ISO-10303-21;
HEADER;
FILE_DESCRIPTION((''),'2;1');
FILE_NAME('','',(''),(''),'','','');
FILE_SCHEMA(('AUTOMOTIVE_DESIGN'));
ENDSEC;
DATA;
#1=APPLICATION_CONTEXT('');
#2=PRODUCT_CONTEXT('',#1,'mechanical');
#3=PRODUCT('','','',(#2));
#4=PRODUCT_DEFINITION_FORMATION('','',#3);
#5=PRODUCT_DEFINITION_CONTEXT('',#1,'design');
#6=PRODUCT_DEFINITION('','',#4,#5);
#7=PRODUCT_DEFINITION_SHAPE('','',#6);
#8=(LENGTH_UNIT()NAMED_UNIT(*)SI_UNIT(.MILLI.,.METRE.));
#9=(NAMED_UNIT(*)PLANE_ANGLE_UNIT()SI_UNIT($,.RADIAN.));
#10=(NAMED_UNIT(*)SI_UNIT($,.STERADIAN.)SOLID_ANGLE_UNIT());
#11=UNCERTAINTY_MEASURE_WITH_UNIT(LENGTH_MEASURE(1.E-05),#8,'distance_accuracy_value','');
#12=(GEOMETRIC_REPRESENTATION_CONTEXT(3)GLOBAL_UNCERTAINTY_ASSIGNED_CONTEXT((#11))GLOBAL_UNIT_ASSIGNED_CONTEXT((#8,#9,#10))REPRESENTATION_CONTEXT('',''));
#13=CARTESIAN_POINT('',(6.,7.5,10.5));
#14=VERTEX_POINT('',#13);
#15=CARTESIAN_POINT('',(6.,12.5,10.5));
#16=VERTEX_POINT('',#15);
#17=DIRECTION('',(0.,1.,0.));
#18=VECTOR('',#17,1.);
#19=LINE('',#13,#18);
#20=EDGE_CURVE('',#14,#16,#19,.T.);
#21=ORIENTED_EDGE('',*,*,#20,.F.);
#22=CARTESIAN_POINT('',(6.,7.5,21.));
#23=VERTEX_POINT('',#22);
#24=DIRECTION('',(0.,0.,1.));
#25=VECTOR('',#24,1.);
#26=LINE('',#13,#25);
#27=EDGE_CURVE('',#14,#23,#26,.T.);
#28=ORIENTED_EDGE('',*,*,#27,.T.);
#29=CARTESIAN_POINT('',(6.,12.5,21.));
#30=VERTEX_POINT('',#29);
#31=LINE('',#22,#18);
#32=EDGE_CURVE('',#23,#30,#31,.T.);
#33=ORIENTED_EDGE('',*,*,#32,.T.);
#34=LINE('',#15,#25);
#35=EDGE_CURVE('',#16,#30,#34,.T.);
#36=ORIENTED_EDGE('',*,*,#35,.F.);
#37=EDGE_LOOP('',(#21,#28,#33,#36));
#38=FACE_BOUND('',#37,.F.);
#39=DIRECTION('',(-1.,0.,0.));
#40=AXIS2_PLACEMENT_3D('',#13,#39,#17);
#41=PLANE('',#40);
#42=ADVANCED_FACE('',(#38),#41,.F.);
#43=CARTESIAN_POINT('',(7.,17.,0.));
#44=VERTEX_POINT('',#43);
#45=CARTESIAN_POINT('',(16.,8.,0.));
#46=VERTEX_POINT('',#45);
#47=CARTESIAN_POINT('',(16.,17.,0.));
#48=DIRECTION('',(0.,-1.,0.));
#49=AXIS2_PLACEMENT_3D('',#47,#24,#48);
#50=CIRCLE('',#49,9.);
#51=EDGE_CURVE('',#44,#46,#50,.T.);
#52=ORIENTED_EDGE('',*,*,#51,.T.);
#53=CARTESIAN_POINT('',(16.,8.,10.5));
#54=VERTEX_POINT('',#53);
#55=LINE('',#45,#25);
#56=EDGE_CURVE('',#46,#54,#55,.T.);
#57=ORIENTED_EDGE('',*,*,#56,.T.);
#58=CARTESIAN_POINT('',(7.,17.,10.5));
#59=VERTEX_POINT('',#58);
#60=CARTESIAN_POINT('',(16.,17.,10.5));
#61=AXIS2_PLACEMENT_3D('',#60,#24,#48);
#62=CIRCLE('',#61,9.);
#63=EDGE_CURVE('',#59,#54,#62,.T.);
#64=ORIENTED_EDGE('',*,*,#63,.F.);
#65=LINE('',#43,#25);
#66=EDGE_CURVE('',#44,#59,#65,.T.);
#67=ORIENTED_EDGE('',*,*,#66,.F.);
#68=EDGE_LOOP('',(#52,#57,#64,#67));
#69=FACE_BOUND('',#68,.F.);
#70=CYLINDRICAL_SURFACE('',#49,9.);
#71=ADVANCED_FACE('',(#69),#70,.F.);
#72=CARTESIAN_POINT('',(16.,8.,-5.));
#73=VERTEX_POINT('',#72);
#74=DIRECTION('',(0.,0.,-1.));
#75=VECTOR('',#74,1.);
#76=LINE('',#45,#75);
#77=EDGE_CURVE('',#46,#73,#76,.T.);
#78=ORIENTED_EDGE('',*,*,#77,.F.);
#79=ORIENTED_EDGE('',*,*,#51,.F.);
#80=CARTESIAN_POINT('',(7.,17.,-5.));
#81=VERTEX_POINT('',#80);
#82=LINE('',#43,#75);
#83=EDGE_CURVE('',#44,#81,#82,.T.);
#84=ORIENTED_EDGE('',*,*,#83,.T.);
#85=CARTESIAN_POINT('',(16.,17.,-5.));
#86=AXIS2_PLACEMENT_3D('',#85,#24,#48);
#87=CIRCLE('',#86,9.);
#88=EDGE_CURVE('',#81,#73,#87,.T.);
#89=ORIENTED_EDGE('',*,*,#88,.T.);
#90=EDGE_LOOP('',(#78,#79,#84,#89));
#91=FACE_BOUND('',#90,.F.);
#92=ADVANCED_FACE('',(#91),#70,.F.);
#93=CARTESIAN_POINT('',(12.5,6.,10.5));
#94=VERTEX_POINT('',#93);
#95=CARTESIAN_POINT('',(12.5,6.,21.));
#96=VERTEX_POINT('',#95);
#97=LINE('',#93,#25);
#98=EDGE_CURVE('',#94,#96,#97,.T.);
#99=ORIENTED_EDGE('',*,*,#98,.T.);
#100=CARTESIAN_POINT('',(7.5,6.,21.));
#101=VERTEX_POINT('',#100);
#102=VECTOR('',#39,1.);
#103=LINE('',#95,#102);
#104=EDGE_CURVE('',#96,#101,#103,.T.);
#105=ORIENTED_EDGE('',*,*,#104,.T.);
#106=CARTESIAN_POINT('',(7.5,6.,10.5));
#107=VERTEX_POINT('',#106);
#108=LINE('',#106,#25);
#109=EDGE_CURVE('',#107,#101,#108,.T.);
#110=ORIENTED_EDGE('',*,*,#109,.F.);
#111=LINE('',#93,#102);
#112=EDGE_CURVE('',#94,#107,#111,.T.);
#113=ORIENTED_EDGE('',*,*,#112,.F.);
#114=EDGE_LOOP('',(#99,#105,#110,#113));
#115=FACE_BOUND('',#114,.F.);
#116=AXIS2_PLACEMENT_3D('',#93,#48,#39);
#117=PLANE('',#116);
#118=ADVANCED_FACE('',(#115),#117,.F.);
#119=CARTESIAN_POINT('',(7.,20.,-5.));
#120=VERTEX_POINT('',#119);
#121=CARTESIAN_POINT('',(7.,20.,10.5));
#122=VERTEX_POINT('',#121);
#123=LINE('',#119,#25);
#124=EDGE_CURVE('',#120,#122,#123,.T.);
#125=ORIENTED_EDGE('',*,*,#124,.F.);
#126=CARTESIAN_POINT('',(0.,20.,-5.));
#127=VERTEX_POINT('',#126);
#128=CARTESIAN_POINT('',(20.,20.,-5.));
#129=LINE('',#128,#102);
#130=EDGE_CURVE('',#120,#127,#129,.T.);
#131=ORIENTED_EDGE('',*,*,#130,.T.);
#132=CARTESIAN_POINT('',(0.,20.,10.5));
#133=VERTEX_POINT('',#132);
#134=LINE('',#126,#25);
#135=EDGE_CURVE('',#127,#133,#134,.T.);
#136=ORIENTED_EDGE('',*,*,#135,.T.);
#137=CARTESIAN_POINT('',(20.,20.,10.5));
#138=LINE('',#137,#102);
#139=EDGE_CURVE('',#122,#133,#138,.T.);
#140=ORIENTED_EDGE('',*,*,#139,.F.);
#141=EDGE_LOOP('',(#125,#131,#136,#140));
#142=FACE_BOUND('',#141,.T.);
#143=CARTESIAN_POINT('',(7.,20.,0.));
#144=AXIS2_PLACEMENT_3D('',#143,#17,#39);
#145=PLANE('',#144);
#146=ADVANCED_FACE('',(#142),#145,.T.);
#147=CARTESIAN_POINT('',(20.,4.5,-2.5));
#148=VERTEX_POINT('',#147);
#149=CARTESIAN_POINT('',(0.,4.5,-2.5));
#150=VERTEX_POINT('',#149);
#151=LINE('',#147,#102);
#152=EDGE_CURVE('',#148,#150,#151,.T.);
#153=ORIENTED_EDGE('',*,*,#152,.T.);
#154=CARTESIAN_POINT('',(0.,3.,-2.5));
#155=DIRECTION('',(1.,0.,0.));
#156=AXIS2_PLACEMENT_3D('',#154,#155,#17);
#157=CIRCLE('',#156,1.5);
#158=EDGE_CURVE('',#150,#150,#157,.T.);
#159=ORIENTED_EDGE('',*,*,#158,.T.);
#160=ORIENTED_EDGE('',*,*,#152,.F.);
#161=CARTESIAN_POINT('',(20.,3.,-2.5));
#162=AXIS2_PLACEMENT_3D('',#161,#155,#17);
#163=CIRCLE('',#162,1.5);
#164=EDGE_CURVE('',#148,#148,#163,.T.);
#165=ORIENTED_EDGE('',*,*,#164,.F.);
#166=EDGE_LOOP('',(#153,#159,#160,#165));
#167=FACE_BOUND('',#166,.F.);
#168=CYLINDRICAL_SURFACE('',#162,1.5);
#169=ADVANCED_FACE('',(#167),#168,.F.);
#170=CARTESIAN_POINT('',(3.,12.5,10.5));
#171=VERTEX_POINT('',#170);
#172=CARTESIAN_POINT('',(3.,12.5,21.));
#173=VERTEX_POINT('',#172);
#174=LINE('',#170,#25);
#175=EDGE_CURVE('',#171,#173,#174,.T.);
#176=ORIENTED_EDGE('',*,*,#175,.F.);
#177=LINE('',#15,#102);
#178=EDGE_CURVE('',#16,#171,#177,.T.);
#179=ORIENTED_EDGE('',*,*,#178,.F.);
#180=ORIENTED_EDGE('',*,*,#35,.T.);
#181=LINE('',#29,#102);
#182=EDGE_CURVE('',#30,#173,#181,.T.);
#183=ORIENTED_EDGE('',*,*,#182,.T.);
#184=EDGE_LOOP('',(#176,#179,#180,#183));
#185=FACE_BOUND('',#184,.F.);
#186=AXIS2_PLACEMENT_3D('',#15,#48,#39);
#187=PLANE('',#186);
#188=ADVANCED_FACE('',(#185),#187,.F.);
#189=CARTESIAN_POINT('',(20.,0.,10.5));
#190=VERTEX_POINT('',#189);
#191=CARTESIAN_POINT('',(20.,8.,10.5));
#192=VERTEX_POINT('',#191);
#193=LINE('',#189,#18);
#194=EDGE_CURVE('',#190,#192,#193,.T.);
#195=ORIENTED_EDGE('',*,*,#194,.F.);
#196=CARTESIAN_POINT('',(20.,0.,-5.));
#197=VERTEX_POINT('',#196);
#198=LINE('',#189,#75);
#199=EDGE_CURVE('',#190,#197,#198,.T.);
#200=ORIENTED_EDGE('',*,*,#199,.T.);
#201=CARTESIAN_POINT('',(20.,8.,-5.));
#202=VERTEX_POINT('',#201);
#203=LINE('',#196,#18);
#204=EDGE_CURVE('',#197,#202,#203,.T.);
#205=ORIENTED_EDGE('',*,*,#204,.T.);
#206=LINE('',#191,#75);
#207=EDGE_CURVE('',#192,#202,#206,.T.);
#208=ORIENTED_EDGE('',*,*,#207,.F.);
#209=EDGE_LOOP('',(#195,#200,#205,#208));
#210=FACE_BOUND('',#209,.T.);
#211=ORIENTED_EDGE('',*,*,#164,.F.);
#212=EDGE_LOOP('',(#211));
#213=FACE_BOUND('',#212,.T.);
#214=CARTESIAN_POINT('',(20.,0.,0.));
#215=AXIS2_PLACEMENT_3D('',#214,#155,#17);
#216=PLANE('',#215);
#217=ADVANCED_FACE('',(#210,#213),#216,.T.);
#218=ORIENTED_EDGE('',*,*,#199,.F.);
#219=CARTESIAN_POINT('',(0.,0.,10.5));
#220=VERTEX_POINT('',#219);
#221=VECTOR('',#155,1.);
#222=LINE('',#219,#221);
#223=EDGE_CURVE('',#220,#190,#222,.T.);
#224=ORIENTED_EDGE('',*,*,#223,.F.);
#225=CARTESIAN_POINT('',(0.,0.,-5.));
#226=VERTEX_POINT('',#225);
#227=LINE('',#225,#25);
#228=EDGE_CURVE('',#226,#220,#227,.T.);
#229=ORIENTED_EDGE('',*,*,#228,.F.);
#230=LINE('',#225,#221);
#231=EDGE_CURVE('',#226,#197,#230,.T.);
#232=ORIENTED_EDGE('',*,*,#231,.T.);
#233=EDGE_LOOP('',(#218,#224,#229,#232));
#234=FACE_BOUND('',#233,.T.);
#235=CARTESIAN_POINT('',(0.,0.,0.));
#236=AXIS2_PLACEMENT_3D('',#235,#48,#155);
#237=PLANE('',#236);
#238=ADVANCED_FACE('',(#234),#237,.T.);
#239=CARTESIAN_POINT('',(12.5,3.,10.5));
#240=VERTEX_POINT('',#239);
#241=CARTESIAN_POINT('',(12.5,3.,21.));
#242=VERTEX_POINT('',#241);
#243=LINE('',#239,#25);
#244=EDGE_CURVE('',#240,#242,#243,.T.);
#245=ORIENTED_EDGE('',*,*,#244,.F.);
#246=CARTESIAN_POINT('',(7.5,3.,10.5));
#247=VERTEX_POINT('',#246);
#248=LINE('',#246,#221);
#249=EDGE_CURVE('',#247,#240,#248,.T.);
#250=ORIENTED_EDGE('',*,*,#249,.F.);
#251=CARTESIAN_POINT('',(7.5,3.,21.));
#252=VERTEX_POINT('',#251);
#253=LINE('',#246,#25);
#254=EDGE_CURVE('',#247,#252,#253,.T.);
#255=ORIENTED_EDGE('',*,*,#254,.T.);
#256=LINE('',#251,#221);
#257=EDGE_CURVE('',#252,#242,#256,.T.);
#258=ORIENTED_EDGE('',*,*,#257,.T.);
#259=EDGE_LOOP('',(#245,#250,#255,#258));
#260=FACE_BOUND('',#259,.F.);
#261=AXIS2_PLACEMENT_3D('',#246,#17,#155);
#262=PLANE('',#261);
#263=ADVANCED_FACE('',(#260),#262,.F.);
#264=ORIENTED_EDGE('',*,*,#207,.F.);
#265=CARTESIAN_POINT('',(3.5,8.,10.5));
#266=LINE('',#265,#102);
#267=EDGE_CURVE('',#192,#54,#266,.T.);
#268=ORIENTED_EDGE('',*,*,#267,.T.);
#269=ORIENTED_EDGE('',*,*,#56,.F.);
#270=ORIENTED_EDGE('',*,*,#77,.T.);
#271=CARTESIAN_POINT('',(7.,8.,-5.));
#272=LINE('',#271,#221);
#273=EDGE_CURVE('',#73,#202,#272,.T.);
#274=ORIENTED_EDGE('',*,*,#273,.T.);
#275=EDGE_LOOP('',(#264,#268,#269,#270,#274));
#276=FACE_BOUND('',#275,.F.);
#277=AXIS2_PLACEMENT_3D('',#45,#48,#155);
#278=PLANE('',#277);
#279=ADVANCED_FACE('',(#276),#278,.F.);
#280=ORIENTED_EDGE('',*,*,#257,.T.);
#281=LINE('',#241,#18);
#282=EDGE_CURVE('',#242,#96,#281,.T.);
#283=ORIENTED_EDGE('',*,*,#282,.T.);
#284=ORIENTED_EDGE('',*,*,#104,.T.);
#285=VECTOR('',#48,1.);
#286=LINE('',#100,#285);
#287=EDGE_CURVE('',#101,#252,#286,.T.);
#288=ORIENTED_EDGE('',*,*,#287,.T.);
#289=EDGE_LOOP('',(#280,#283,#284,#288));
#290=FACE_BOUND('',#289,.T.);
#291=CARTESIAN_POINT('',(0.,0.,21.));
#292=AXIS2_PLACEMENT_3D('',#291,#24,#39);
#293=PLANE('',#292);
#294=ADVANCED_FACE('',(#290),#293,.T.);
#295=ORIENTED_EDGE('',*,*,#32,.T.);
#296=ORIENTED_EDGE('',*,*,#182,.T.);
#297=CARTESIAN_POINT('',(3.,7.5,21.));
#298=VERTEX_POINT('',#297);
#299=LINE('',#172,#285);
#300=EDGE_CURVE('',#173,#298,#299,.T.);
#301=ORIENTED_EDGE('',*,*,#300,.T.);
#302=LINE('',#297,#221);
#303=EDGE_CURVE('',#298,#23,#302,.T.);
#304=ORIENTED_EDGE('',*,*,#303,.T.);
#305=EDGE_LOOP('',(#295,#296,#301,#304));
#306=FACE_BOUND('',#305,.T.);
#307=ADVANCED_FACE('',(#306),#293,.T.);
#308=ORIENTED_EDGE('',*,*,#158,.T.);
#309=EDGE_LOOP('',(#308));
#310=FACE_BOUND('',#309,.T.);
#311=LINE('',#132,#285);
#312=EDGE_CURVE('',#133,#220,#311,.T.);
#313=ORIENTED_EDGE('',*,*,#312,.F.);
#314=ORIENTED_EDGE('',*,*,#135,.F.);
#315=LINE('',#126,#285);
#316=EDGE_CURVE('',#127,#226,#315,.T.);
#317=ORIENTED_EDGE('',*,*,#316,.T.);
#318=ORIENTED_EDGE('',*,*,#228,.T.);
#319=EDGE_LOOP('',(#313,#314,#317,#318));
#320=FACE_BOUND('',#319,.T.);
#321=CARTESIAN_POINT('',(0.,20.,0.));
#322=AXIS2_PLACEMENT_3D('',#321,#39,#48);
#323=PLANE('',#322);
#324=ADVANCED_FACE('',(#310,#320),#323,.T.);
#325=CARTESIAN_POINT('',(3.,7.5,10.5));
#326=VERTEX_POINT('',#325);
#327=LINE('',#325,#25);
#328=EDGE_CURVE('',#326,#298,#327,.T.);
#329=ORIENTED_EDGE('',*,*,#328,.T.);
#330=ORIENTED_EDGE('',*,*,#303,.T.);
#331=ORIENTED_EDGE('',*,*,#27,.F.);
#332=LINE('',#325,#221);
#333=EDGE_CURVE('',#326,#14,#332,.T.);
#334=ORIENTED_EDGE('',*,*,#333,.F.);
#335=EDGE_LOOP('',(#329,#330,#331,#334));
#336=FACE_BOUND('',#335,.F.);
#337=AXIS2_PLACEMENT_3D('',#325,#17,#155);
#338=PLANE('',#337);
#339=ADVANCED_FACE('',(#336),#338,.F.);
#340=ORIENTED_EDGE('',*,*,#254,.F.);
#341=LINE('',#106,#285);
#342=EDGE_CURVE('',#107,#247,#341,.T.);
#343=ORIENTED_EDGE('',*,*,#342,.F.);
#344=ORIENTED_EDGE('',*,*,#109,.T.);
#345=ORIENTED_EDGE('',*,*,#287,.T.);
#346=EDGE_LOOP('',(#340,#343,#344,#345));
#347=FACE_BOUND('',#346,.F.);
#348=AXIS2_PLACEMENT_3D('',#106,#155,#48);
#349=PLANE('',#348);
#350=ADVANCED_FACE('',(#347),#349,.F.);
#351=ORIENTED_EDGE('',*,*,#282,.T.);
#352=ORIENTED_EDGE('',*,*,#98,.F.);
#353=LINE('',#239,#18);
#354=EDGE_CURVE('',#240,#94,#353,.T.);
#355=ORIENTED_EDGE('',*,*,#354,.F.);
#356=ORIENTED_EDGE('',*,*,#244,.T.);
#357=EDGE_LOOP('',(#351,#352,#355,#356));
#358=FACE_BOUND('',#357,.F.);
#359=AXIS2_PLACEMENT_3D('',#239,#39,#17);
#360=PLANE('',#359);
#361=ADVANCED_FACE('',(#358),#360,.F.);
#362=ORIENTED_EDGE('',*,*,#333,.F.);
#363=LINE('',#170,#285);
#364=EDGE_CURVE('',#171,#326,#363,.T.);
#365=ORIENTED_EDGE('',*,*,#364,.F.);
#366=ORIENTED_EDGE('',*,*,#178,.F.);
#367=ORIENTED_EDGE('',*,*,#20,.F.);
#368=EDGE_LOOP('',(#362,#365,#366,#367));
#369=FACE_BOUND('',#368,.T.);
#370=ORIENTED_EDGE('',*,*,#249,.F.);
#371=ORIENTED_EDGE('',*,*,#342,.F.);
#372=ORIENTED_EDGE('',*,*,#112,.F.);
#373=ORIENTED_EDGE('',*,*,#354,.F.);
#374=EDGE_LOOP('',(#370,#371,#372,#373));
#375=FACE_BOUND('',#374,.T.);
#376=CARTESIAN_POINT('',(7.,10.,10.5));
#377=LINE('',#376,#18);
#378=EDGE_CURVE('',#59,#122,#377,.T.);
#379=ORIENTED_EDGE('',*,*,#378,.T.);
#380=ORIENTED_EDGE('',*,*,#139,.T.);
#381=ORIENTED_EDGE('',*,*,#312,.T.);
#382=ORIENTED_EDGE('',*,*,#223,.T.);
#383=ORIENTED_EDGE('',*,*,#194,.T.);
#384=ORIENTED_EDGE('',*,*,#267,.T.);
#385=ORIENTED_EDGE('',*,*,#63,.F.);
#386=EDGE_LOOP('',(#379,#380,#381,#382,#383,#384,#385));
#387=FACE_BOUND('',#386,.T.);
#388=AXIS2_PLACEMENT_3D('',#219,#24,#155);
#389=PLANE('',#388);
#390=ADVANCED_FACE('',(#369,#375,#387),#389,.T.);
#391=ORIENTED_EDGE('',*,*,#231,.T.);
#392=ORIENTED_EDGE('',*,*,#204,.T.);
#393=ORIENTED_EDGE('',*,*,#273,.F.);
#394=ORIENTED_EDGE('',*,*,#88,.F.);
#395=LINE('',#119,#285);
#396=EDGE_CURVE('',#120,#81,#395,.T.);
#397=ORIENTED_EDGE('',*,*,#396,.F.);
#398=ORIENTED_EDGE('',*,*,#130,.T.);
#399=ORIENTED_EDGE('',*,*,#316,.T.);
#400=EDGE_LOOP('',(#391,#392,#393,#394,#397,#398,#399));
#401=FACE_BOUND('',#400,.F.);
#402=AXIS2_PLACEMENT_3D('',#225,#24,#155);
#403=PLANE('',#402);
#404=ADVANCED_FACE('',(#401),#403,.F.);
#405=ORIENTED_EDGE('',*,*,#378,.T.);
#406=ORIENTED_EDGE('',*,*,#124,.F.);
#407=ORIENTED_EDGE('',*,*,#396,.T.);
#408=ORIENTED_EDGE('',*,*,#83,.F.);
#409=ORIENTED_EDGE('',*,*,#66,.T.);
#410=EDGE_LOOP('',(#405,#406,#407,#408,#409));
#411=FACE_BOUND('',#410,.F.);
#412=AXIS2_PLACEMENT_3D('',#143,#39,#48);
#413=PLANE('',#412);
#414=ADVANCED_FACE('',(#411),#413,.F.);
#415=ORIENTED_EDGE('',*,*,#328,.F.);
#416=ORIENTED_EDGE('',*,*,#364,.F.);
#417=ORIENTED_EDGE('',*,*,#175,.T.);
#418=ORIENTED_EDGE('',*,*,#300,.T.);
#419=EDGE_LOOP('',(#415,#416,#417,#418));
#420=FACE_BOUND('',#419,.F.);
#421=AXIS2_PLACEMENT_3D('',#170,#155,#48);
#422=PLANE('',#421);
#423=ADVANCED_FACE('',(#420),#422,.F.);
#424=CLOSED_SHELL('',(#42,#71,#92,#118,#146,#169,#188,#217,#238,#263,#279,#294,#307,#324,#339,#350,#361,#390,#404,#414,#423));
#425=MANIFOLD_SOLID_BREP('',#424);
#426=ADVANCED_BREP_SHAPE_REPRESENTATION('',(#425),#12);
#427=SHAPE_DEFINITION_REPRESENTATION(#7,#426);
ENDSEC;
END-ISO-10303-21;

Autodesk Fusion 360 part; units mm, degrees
sketch "スケッチ1" plane through (0, 0, 0) normal (0, 0, 1) x (1, 0, 0)
  line L0 (0, 0) -> (20, 0)
  line L1 (20, 0) -> (20, 20)
  line L2 (20, 20) -> (0, 20)
  line L3 (0, 20) -> (0, 0)
extrude "押し出し1" add sketch "スケッチ1" along normal blind 10.5
sketch "スケッチ2" plane through (0, 0, 10.5) normal (0, 0, 1) x (-1, 0, 0)
  line L0 (0, -20) -> (0, 0)
  line L1 (0, 0) -> (-20, 0)
  line L2 (-20, 0) -> (-20, -20)
  line L3 (-20, -20) -> (0, -20)
  line L4 (-7.5, -3) -> (-12.5, -3)
  line L5 (-12.5, -3) -> (-12.5, -6)
  line L6 (-12.5, -6) -> (-7.5, -6)
  line L7 (-7.5, -6) -> (-7.5, -3)
  line L8 (-6, -12.5) -> (-3, -12.5)
  line L9 (-3, -12.5) -> (-3, -7.5)
  line L10 (-3, -7.5) -> (-6, -7.5)
  line L11 (-6, -7.5) -> (-6, -12.5)
  dimension "d3" = 7.5
  dimension "d4" = 3
  dimension "d5" = 7.5
  dimension "d6" = 3
extrude "押し出し2" add sketch "スケッチ2" along normal blind 10.5 contours L4 L5 L6 L7 | L8 L9 L10 L11
sketch "スケッチ4" plane through (0, 0, 0) normal (0, 0, -1) x (1, 0, 0)
  line L0 (0, 0) -> (0, -20)
  line L1 (0, -20) -> (20, -20)
  line L2 (20, -20) -> (20, 0)
  line L3 (20, 0) -> (0, 0)
  line L4 (20, -20) -> (7, -20)
  line L5 (7, -20) -> (7, -8)
  line L6 (7, -8) -> (20, -8)
  line L7 (20, -8) -> (20, -20)
  dimension "d14" = 12
  dimension "d15" = 13
extrude "押し出し4" cut sketch "スケッチ4" against normal blind 18 contours L1 L2 L4 L5 L6 L7
fillet "フィレット1" radius 9 1 edges at (7, 8, 5.25)
extrude "押し出し5" add 1 faces at (11.1548, 2.7882, 0) along direction (0, 0, -1) blind 5
sketch "スケッチ3" plane through (20, 0, 0) normal (1, 0, 0) x (0, 1, 0)
  line L0 (8, 10.5) -> (0, 10.5)
  line L1 (0, 10.5) -> (0, -5)
  circle A0 centre (3, -2.5) radius 1.5
  line L2 (8, -5) -> (8, 10.5)
  line L3 (0, -5) -> (8, -5)
  dimension "d9" = 3
  dimension "d10" = 3
  dimension "d22" = 2.5
extrude "押し出し3" cut sketch "スケッチ3" against normal blind 22 contours A0
